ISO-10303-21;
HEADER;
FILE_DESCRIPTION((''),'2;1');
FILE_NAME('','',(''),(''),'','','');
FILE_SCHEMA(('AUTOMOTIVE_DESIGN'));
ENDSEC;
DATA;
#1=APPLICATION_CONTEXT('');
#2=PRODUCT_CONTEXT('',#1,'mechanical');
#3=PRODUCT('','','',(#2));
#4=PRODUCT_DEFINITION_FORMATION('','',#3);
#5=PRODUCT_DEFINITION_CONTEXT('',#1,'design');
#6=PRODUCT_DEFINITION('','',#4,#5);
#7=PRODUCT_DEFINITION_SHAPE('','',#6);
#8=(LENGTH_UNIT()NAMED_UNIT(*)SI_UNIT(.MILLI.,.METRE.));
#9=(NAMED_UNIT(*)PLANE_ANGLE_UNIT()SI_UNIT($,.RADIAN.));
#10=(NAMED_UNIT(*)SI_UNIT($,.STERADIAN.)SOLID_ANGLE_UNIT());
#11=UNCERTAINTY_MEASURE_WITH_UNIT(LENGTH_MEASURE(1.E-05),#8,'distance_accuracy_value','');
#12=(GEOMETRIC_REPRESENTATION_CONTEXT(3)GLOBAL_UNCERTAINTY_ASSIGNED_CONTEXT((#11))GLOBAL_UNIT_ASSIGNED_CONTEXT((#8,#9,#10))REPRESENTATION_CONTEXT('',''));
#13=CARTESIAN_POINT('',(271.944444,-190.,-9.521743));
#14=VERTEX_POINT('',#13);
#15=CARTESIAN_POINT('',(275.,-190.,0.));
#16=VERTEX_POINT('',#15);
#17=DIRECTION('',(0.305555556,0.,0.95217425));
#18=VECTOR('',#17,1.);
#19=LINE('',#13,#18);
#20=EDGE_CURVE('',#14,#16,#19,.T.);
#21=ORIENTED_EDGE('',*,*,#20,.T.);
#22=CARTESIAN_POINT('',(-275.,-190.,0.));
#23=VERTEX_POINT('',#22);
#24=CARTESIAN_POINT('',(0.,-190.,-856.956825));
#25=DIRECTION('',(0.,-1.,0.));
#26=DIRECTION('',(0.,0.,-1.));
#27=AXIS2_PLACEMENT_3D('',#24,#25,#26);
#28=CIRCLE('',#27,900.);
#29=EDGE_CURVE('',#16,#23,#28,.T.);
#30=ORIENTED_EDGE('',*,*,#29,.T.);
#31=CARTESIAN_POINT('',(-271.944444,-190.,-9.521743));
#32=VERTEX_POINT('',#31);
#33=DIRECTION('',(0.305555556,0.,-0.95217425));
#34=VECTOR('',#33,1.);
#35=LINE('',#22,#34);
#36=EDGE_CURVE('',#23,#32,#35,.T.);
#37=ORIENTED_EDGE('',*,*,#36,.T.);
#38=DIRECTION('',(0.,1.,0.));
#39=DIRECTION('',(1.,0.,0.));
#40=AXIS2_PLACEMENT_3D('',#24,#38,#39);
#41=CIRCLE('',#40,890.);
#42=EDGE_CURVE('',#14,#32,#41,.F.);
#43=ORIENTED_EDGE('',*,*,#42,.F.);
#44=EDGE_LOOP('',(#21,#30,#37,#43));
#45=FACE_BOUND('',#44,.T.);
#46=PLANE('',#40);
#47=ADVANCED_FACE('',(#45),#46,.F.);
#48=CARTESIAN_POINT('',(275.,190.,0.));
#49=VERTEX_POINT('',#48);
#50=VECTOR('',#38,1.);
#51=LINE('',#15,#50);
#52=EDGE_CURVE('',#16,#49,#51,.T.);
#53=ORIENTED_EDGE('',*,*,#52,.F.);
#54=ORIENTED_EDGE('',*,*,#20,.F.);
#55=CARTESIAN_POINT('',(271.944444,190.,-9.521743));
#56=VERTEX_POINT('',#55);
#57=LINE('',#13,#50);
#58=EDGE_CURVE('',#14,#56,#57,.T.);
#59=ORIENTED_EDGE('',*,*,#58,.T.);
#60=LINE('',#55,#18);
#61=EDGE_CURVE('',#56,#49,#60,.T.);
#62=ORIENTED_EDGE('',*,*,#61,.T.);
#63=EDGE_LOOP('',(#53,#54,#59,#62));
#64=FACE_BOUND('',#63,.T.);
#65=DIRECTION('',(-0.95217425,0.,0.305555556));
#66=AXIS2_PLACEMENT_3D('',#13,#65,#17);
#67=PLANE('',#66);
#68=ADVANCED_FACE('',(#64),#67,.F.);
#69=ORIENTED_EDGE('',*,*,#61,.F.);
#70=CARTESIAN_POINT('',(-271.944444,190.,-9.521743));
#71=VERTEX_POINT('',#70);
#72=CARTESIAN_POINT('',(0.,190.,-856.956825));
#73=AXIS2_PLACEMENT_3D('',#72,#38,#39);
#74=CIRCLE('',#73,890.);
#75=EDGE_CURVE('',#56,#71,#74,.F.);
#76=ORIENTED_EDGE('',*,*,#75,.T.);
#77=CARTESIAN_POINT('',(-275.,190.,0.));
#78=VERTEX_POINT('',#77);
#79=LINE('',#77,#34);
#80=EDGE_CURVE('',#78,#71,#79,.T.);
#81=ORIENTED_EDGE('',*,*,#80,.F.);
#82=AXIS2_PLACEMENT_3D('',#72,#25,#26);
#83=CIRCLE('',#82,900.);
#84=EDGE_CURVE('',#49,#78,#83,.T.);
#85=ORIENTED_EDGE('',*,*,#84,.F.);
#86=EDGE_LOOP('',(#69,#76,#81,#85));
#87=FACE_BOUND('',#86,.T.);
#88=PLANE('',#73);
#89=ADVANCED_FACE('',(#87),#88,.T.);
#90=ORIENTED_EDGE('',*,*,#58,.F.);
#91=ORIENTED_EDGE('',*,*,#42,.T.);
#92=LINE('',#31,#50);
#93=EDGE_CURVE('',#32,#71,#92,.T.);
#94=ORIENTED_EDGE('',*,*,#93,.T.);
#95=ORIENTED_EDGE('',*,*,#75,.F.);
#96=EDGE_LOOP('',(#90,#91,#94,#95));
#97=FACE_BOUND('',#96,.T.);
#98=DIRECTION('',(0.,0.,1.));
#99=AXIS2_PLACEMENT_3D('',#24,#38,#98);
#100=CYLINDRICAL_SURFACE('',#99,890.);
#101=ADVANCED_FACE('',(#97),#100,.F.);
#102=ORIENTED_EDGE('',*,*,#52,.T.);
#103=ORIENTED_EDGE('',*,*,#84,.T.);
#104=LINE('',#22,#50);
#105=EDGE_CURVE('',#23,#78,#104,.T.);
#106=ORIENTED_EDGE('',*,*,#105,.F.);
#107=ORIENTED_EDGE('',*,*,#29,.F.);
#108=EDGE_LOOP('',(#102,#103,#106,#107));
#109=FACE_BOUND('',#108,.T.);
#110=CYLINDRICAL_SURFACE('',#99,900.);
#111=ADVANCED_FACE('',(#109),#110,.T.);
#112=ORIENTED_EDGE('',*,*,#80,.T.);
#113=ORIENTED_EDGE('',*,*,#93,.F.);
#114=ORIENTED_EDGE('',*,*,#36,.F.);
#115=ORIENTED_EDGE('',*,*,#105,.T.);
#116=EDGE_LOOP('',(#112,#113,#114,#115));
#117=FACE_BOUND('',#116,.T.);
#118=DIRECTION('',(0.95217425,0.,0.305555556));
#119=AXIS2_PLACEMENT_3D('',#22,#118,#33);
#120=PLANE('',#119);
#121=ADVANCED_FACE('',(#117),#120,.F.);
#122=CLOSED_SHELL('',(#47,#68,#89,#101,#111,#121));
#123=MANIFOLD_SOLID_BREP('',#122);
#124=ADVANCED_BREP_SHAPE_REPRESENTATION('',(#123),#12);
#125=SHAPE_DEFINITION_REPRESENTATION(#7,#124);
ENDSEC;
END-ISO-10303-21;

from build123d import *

# Parameters (mm, degrees)
EXTRUS_O_FINA1_DEPTH      = 190
EXTRUS_O_FINA1_DEPTH_BACK = 190


with BuildPart() as part:
    # Esboço1 → Extrusão-Fina1 (new, two sides: drawn at the far end of the back side and taken through both)
    with BuildSketch(Plane(origin=(0, 0, 0), x_dir=(1, 0, 0), z_dir=(0, 1, 0)).offset(-EXTRUS_O_FINA1_DEPTH_BACK)):
        with BuildLine():
            ThreePointArc((275, 0), (0, -43.04317495), (-275, 0))
            Line((-275, 0), (-271.944444444, 9.521742501))
            ThreePointArc((-271.944444444, 9.521742501), (0, -33.04317495), (271.944444444, 9.521742501))
            Line((271.944444444, 9.521742501), (275, 0))
        make_face()
    extrude(amount=EXTRUS_O_FINA1_DEPTH + EXTRUS_O_FINA1_DEPTH_BACK)


solid = part.part
